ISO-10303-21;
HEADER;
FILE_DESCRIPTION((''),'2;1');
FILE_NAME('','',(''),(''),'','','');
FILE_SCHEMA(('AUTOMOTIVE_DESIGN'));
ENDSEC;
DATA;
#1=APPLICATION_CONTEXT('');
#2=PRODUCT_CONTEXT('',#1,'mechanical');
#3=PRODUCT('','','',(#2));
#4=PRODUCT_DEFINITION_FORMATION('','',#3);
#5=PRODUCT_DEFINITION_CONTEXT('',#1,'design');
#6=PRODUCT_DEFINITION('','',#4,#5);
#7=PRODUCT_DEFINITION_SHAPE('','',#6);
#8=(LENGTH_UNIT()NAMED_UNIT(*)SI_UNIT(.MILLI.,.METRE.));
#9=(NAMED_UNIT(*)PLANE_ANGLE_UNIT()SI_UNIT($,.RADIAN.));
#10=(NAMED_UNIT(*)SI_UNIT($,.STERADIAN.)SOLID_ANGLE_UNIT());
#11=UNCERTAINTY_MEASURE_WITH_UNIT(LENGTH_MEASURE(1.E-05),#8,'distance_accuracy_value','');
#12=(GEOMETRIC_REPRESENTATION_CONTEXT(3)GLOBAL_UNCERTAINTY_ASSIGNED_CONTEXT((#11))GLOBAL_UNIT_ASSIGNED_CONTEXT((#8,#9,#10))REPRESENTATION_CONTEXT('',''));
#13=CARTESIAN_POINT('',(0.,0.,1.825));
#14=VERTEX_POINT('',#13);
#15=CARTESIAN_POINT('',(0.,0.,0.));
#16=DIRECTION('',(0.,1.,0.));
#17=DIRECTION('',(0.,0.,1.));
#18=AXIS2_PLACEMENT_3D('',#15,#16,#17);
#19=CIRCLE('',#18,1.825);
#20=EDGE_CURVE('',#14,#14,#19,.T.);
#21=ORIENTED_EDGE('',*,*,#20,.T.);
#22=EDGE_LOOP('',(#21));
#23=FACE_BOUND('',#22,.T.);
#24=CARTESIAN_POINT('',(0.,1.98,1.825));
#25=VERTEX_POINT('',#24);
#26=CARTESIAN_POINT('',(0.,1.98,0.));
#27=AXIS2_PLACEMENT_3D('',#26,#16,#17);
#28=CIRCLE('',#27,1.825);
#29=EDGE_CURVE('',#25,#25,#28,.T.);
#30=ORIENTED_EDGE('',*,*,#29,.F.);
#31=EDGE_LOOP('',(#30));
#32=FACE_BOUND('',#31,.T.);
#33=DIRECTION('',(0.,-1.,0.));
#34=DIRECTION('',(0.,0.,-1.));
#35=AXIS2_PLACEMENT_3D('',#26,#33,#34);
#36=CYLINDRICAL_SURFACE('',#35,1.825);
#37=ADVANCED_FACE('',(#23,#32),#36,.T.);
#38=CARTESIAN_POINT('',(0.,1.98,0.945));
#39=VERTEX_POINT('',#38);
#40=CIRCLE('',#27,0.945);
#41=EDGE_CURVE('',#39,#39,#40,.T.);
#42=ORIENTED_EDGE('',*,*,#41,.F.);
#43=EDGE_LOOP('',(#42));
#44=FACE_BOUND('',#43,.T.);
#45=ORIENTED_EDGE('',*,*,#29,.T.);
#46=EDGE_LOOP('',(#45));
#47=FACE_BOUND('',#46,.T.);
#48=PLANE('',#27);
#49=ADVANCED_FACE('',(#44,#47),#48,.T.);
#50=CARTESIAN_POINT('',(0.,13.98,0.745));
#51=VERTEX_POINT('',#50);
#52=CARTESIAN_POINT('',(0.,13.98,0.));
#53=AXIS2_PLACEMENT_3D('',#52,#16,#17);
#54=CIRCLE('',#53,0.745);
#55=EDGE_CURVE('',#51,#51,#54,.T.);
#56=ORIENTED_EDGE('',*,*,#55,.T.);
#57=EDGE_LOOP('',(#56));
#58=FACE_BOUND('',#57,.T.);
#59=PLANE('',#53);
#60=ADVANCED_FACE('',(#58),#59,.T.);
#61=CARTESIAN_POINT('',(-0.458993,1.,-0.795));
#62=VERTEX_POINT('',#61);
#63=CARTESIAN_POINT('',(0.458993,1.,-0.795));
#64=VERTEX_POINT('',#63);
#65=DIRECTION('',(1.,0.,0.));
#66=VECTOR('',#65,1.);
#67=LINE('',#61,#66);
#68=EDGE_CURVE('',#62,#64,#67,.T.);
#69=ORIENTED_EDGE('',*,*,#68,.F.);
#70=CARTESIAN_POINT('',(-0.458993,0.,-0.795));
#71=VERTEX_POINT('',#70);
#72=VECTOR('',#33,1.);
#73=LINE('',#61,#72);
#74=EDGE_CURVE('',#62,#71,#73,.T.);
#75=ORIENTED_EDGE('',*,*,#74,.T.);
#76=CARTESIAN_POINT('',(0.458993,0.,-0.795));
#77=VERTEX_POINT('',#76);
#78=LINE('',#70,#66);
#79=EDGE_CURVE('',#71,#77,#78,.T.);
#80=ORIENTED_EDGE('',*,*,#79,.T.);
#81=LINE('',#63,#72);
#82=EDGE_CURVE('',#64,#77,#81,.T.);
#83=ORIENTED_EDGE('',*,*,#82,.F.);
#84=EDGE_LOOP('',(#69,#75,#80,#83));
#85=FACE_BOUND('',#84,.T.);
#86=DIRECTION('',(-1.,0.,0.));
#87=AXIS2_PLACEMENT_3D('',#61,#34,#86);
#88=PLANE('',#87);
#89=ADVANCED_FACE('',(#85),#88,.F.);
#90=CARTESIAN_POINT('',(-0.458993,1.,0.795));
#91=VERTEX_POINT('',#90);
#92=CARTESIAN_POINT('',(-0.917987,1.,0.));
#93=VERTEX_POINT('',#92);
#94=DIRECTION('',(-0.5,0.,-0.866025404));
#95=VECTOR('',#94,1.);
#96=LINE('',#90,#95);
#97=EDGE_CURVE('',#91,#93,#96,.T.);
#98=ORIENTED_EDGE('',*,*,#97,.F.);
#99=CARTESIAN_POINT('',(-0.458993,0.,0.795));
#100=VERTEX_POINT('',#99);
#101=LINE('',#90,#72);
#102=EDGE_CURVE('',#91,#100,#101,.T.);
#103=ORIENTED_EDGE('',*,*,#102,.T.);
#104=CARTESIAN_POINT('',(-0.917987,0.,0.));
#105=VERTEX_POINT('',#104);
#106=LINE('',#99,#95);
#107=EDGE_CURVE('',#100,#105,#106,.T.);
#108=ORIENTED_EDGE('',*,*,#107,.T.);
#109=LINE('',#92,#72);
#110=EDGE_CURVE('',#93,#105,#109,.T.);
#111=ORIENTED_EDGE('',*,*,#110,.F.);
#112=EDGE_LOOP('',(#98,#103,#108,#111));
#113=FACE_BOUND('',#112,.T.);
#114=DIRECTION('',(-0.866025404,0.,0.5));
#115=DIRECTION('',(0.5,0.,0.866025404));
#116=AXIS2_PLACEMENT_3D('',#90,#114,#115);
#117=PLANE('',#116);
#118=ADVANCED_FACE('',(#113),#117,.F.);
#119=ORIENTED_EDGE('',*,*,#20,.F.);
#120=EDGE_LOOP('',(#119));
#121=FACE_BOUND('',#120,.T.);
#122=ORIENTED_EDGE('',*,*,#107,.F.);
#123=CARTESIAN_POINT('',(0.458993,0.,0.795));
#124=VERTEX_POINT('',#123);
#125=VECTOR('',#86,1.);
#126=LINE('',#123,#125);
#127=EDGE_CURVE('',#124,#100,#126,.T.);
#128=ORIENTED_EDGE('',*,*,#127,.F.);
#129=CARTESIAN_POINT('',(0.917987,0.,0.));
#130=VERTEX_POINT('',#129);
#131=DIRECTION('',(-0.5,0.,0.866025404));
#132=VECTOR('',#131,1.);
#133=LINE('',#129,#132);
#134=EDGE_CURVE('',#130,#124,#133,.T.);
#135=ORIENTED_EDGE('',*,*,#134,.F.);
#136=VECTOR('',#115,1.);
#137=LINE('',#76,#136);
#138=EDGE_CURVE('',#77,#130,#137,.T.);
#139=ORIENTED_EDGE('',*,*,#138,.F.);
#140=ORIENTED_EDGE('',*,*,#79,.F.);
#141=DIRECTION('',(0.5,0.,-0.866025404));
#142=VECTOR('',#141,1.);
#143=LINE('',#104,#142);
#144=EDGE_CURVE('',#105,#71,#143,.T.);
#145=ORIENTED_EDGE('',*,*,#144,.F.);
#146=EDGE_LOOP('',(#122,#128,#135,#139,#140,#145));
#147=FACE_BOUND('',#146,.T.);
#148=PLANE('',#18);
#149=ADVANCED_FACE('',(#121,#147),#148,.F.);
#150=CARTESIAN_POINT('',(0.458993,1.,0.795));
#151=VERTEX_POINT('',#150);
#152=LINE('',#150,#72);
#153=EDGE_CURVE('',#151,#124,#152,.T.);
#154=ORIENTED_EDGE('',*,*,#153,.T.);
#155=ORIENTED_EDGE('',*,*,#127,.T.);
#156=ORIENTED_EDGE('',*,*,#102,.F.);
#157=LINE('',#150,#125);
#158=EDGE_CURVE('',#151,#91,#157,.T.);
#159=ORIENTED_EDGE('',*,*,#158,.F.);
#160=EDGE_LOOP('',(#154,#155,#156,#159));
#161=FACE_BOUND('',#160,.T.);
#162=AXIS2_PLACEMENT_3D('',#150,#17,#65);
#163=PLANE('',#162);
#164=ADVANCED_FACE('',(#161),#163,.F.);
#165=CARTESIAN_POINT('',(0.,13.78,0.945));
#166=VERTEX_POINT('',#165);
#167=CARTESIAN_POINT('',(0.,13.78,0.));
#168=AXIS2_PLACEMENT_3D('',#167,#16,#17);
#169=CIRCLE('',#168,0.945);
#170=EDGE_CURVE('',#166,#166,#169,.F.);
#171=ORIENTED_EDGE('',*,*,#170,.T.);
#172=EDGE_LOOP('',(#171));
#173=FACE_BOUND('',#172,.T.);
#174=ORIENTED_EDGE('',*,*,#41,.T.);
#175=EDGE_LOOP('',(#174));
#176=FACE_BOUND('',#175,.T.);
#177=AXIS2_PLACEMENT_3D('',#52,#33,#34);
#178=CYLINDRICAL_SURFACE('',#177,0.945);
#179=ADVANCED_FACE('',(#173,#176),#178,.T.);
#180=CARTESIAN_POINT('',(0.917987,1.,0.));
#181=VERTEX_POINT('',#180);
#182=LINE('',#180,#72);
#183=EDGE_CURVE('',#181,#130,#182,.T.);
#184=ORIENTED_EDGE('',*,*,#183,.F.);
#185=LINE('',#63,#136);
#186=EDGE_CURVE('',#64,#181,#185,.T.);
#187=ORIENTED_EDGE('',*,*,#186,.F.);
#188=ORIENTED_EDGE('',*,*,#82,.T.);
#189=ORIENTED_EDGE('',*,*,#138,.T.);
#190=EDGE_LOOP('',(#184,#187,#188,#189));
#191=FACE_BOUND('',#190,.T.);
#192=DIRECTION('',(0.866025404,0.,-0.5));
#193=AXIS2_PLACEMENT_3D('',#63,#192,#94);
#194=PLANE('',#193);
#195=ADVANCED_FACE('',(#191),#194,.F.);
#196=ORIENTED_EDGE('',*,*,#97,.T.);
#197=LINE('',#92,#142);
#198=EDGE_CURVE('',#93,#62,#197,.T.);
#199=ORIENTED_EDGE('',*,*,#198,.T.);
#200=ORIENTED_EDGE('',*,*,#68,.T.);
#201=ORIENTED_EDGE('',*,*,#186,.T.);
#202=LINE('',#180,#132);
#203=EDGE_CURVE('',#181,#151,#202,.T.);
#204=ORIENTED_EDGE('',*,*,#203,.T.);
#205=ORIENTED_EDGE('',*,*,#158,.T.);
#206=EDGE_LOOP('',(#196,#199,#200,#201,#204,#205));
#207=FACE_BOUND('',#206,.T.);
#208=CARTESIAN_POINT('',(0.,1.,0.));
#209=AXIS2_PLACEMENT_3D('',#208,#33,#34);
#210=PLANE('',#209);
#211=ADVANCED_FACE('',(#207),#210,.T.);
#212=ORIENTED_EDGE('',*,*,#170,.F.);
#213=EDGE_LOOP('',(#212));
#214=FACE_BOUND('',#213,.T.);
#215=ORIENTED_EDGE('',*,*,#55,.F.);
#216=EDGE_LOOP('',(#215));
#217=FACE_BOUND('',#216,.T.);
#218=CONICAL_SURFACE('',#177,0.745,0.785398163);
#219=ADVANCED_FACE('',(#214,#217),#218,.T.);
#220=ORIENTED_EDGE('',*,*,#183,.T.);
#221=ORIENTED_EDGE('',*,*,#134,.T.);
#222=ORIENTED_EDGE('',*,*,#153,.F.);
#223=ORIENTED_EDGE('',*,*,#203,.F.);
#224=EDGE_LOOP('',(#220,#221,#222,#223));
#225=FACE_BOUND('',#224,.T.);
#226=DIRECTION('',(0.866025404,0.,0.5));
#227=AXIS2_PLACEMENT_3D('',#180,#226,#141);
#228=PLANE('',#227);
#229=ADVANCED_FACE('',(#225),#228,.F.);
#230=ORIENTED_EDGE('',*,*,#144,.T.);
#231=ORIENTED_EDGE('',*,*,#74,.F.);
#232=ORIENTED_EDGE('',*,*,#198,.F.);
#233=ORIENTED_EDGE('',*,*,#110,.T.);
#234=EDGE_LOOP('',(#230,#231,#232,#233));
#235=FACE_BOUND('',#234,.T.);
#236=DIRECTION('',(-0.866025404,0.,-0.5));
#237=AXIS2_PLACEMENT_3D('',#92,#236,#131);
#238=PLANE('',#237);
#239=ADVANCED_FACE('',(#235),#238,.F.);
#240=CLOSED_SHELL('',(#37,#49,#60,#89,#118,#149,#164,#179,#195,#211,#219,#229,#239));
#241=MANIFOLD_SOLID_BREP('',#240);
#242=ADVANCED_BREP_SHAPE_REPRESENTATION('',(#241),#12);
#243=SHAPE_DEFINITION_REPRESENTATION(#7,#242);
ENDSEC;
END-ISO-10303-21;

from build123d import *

# Parameters (mm, degrees)
SKETCH1_R           = 1.825
BOSS_EXTRUDE1_DEPTH = 1.98
SKETCH2_R           = 0.945
BOSS_EXTRUDE2_DEPTH = 12
CUT_EXTRUDE1_DEPTH  = 1
CHAMFER1_SIZE       = 0.2


with BuildPart() as part:
    # Sketch1 → Boss-Extrude1 (new body)
    with BuildSketch(Plane(origin=(0, 0, 0), x_dir=(1, 0, 0), z_dir=(0, 1, 0))):
        Circle(SKETCH1_R)
    extrude(amount=BOSS_EXTRUDE1_DEPTH)

    # Sketch2 → Boss-Extrude2 (add)
    with BuildSketch(Plane(origin=(0, 1.98, 0), x_dir=(1, 0, 0), z_dir=(0, 1, 0))):
        Circle(SKETCH2_R)
    extrude(amount=BOSS_EXTRUDE2_DEPTH)

    # Sketch3 → Cut-Extrude1 (cut)
    with BuildSketch(Plane.XZ):
        Polygon((0.458993464, -0.795), (0.917986928, 0), (0.458993464, 0.795), (-0.458993464, 0.795), (-0.917986928, 0), (-0.458993464, -0.795), align=None)
    extrude(amount=-CUT_EXTRUDE1_DEPTH, mode=Mode.SUBTRACT)

    # Chamfer1
    chamfer1_edges = [part.edges().sort_by_distance(p)[0] for p in [
        (-0.945, 13.98, 0),
    ]]
    chamfer(chamfer1_edges, length=CHAMFER1_SIZE)


solid = part.part
